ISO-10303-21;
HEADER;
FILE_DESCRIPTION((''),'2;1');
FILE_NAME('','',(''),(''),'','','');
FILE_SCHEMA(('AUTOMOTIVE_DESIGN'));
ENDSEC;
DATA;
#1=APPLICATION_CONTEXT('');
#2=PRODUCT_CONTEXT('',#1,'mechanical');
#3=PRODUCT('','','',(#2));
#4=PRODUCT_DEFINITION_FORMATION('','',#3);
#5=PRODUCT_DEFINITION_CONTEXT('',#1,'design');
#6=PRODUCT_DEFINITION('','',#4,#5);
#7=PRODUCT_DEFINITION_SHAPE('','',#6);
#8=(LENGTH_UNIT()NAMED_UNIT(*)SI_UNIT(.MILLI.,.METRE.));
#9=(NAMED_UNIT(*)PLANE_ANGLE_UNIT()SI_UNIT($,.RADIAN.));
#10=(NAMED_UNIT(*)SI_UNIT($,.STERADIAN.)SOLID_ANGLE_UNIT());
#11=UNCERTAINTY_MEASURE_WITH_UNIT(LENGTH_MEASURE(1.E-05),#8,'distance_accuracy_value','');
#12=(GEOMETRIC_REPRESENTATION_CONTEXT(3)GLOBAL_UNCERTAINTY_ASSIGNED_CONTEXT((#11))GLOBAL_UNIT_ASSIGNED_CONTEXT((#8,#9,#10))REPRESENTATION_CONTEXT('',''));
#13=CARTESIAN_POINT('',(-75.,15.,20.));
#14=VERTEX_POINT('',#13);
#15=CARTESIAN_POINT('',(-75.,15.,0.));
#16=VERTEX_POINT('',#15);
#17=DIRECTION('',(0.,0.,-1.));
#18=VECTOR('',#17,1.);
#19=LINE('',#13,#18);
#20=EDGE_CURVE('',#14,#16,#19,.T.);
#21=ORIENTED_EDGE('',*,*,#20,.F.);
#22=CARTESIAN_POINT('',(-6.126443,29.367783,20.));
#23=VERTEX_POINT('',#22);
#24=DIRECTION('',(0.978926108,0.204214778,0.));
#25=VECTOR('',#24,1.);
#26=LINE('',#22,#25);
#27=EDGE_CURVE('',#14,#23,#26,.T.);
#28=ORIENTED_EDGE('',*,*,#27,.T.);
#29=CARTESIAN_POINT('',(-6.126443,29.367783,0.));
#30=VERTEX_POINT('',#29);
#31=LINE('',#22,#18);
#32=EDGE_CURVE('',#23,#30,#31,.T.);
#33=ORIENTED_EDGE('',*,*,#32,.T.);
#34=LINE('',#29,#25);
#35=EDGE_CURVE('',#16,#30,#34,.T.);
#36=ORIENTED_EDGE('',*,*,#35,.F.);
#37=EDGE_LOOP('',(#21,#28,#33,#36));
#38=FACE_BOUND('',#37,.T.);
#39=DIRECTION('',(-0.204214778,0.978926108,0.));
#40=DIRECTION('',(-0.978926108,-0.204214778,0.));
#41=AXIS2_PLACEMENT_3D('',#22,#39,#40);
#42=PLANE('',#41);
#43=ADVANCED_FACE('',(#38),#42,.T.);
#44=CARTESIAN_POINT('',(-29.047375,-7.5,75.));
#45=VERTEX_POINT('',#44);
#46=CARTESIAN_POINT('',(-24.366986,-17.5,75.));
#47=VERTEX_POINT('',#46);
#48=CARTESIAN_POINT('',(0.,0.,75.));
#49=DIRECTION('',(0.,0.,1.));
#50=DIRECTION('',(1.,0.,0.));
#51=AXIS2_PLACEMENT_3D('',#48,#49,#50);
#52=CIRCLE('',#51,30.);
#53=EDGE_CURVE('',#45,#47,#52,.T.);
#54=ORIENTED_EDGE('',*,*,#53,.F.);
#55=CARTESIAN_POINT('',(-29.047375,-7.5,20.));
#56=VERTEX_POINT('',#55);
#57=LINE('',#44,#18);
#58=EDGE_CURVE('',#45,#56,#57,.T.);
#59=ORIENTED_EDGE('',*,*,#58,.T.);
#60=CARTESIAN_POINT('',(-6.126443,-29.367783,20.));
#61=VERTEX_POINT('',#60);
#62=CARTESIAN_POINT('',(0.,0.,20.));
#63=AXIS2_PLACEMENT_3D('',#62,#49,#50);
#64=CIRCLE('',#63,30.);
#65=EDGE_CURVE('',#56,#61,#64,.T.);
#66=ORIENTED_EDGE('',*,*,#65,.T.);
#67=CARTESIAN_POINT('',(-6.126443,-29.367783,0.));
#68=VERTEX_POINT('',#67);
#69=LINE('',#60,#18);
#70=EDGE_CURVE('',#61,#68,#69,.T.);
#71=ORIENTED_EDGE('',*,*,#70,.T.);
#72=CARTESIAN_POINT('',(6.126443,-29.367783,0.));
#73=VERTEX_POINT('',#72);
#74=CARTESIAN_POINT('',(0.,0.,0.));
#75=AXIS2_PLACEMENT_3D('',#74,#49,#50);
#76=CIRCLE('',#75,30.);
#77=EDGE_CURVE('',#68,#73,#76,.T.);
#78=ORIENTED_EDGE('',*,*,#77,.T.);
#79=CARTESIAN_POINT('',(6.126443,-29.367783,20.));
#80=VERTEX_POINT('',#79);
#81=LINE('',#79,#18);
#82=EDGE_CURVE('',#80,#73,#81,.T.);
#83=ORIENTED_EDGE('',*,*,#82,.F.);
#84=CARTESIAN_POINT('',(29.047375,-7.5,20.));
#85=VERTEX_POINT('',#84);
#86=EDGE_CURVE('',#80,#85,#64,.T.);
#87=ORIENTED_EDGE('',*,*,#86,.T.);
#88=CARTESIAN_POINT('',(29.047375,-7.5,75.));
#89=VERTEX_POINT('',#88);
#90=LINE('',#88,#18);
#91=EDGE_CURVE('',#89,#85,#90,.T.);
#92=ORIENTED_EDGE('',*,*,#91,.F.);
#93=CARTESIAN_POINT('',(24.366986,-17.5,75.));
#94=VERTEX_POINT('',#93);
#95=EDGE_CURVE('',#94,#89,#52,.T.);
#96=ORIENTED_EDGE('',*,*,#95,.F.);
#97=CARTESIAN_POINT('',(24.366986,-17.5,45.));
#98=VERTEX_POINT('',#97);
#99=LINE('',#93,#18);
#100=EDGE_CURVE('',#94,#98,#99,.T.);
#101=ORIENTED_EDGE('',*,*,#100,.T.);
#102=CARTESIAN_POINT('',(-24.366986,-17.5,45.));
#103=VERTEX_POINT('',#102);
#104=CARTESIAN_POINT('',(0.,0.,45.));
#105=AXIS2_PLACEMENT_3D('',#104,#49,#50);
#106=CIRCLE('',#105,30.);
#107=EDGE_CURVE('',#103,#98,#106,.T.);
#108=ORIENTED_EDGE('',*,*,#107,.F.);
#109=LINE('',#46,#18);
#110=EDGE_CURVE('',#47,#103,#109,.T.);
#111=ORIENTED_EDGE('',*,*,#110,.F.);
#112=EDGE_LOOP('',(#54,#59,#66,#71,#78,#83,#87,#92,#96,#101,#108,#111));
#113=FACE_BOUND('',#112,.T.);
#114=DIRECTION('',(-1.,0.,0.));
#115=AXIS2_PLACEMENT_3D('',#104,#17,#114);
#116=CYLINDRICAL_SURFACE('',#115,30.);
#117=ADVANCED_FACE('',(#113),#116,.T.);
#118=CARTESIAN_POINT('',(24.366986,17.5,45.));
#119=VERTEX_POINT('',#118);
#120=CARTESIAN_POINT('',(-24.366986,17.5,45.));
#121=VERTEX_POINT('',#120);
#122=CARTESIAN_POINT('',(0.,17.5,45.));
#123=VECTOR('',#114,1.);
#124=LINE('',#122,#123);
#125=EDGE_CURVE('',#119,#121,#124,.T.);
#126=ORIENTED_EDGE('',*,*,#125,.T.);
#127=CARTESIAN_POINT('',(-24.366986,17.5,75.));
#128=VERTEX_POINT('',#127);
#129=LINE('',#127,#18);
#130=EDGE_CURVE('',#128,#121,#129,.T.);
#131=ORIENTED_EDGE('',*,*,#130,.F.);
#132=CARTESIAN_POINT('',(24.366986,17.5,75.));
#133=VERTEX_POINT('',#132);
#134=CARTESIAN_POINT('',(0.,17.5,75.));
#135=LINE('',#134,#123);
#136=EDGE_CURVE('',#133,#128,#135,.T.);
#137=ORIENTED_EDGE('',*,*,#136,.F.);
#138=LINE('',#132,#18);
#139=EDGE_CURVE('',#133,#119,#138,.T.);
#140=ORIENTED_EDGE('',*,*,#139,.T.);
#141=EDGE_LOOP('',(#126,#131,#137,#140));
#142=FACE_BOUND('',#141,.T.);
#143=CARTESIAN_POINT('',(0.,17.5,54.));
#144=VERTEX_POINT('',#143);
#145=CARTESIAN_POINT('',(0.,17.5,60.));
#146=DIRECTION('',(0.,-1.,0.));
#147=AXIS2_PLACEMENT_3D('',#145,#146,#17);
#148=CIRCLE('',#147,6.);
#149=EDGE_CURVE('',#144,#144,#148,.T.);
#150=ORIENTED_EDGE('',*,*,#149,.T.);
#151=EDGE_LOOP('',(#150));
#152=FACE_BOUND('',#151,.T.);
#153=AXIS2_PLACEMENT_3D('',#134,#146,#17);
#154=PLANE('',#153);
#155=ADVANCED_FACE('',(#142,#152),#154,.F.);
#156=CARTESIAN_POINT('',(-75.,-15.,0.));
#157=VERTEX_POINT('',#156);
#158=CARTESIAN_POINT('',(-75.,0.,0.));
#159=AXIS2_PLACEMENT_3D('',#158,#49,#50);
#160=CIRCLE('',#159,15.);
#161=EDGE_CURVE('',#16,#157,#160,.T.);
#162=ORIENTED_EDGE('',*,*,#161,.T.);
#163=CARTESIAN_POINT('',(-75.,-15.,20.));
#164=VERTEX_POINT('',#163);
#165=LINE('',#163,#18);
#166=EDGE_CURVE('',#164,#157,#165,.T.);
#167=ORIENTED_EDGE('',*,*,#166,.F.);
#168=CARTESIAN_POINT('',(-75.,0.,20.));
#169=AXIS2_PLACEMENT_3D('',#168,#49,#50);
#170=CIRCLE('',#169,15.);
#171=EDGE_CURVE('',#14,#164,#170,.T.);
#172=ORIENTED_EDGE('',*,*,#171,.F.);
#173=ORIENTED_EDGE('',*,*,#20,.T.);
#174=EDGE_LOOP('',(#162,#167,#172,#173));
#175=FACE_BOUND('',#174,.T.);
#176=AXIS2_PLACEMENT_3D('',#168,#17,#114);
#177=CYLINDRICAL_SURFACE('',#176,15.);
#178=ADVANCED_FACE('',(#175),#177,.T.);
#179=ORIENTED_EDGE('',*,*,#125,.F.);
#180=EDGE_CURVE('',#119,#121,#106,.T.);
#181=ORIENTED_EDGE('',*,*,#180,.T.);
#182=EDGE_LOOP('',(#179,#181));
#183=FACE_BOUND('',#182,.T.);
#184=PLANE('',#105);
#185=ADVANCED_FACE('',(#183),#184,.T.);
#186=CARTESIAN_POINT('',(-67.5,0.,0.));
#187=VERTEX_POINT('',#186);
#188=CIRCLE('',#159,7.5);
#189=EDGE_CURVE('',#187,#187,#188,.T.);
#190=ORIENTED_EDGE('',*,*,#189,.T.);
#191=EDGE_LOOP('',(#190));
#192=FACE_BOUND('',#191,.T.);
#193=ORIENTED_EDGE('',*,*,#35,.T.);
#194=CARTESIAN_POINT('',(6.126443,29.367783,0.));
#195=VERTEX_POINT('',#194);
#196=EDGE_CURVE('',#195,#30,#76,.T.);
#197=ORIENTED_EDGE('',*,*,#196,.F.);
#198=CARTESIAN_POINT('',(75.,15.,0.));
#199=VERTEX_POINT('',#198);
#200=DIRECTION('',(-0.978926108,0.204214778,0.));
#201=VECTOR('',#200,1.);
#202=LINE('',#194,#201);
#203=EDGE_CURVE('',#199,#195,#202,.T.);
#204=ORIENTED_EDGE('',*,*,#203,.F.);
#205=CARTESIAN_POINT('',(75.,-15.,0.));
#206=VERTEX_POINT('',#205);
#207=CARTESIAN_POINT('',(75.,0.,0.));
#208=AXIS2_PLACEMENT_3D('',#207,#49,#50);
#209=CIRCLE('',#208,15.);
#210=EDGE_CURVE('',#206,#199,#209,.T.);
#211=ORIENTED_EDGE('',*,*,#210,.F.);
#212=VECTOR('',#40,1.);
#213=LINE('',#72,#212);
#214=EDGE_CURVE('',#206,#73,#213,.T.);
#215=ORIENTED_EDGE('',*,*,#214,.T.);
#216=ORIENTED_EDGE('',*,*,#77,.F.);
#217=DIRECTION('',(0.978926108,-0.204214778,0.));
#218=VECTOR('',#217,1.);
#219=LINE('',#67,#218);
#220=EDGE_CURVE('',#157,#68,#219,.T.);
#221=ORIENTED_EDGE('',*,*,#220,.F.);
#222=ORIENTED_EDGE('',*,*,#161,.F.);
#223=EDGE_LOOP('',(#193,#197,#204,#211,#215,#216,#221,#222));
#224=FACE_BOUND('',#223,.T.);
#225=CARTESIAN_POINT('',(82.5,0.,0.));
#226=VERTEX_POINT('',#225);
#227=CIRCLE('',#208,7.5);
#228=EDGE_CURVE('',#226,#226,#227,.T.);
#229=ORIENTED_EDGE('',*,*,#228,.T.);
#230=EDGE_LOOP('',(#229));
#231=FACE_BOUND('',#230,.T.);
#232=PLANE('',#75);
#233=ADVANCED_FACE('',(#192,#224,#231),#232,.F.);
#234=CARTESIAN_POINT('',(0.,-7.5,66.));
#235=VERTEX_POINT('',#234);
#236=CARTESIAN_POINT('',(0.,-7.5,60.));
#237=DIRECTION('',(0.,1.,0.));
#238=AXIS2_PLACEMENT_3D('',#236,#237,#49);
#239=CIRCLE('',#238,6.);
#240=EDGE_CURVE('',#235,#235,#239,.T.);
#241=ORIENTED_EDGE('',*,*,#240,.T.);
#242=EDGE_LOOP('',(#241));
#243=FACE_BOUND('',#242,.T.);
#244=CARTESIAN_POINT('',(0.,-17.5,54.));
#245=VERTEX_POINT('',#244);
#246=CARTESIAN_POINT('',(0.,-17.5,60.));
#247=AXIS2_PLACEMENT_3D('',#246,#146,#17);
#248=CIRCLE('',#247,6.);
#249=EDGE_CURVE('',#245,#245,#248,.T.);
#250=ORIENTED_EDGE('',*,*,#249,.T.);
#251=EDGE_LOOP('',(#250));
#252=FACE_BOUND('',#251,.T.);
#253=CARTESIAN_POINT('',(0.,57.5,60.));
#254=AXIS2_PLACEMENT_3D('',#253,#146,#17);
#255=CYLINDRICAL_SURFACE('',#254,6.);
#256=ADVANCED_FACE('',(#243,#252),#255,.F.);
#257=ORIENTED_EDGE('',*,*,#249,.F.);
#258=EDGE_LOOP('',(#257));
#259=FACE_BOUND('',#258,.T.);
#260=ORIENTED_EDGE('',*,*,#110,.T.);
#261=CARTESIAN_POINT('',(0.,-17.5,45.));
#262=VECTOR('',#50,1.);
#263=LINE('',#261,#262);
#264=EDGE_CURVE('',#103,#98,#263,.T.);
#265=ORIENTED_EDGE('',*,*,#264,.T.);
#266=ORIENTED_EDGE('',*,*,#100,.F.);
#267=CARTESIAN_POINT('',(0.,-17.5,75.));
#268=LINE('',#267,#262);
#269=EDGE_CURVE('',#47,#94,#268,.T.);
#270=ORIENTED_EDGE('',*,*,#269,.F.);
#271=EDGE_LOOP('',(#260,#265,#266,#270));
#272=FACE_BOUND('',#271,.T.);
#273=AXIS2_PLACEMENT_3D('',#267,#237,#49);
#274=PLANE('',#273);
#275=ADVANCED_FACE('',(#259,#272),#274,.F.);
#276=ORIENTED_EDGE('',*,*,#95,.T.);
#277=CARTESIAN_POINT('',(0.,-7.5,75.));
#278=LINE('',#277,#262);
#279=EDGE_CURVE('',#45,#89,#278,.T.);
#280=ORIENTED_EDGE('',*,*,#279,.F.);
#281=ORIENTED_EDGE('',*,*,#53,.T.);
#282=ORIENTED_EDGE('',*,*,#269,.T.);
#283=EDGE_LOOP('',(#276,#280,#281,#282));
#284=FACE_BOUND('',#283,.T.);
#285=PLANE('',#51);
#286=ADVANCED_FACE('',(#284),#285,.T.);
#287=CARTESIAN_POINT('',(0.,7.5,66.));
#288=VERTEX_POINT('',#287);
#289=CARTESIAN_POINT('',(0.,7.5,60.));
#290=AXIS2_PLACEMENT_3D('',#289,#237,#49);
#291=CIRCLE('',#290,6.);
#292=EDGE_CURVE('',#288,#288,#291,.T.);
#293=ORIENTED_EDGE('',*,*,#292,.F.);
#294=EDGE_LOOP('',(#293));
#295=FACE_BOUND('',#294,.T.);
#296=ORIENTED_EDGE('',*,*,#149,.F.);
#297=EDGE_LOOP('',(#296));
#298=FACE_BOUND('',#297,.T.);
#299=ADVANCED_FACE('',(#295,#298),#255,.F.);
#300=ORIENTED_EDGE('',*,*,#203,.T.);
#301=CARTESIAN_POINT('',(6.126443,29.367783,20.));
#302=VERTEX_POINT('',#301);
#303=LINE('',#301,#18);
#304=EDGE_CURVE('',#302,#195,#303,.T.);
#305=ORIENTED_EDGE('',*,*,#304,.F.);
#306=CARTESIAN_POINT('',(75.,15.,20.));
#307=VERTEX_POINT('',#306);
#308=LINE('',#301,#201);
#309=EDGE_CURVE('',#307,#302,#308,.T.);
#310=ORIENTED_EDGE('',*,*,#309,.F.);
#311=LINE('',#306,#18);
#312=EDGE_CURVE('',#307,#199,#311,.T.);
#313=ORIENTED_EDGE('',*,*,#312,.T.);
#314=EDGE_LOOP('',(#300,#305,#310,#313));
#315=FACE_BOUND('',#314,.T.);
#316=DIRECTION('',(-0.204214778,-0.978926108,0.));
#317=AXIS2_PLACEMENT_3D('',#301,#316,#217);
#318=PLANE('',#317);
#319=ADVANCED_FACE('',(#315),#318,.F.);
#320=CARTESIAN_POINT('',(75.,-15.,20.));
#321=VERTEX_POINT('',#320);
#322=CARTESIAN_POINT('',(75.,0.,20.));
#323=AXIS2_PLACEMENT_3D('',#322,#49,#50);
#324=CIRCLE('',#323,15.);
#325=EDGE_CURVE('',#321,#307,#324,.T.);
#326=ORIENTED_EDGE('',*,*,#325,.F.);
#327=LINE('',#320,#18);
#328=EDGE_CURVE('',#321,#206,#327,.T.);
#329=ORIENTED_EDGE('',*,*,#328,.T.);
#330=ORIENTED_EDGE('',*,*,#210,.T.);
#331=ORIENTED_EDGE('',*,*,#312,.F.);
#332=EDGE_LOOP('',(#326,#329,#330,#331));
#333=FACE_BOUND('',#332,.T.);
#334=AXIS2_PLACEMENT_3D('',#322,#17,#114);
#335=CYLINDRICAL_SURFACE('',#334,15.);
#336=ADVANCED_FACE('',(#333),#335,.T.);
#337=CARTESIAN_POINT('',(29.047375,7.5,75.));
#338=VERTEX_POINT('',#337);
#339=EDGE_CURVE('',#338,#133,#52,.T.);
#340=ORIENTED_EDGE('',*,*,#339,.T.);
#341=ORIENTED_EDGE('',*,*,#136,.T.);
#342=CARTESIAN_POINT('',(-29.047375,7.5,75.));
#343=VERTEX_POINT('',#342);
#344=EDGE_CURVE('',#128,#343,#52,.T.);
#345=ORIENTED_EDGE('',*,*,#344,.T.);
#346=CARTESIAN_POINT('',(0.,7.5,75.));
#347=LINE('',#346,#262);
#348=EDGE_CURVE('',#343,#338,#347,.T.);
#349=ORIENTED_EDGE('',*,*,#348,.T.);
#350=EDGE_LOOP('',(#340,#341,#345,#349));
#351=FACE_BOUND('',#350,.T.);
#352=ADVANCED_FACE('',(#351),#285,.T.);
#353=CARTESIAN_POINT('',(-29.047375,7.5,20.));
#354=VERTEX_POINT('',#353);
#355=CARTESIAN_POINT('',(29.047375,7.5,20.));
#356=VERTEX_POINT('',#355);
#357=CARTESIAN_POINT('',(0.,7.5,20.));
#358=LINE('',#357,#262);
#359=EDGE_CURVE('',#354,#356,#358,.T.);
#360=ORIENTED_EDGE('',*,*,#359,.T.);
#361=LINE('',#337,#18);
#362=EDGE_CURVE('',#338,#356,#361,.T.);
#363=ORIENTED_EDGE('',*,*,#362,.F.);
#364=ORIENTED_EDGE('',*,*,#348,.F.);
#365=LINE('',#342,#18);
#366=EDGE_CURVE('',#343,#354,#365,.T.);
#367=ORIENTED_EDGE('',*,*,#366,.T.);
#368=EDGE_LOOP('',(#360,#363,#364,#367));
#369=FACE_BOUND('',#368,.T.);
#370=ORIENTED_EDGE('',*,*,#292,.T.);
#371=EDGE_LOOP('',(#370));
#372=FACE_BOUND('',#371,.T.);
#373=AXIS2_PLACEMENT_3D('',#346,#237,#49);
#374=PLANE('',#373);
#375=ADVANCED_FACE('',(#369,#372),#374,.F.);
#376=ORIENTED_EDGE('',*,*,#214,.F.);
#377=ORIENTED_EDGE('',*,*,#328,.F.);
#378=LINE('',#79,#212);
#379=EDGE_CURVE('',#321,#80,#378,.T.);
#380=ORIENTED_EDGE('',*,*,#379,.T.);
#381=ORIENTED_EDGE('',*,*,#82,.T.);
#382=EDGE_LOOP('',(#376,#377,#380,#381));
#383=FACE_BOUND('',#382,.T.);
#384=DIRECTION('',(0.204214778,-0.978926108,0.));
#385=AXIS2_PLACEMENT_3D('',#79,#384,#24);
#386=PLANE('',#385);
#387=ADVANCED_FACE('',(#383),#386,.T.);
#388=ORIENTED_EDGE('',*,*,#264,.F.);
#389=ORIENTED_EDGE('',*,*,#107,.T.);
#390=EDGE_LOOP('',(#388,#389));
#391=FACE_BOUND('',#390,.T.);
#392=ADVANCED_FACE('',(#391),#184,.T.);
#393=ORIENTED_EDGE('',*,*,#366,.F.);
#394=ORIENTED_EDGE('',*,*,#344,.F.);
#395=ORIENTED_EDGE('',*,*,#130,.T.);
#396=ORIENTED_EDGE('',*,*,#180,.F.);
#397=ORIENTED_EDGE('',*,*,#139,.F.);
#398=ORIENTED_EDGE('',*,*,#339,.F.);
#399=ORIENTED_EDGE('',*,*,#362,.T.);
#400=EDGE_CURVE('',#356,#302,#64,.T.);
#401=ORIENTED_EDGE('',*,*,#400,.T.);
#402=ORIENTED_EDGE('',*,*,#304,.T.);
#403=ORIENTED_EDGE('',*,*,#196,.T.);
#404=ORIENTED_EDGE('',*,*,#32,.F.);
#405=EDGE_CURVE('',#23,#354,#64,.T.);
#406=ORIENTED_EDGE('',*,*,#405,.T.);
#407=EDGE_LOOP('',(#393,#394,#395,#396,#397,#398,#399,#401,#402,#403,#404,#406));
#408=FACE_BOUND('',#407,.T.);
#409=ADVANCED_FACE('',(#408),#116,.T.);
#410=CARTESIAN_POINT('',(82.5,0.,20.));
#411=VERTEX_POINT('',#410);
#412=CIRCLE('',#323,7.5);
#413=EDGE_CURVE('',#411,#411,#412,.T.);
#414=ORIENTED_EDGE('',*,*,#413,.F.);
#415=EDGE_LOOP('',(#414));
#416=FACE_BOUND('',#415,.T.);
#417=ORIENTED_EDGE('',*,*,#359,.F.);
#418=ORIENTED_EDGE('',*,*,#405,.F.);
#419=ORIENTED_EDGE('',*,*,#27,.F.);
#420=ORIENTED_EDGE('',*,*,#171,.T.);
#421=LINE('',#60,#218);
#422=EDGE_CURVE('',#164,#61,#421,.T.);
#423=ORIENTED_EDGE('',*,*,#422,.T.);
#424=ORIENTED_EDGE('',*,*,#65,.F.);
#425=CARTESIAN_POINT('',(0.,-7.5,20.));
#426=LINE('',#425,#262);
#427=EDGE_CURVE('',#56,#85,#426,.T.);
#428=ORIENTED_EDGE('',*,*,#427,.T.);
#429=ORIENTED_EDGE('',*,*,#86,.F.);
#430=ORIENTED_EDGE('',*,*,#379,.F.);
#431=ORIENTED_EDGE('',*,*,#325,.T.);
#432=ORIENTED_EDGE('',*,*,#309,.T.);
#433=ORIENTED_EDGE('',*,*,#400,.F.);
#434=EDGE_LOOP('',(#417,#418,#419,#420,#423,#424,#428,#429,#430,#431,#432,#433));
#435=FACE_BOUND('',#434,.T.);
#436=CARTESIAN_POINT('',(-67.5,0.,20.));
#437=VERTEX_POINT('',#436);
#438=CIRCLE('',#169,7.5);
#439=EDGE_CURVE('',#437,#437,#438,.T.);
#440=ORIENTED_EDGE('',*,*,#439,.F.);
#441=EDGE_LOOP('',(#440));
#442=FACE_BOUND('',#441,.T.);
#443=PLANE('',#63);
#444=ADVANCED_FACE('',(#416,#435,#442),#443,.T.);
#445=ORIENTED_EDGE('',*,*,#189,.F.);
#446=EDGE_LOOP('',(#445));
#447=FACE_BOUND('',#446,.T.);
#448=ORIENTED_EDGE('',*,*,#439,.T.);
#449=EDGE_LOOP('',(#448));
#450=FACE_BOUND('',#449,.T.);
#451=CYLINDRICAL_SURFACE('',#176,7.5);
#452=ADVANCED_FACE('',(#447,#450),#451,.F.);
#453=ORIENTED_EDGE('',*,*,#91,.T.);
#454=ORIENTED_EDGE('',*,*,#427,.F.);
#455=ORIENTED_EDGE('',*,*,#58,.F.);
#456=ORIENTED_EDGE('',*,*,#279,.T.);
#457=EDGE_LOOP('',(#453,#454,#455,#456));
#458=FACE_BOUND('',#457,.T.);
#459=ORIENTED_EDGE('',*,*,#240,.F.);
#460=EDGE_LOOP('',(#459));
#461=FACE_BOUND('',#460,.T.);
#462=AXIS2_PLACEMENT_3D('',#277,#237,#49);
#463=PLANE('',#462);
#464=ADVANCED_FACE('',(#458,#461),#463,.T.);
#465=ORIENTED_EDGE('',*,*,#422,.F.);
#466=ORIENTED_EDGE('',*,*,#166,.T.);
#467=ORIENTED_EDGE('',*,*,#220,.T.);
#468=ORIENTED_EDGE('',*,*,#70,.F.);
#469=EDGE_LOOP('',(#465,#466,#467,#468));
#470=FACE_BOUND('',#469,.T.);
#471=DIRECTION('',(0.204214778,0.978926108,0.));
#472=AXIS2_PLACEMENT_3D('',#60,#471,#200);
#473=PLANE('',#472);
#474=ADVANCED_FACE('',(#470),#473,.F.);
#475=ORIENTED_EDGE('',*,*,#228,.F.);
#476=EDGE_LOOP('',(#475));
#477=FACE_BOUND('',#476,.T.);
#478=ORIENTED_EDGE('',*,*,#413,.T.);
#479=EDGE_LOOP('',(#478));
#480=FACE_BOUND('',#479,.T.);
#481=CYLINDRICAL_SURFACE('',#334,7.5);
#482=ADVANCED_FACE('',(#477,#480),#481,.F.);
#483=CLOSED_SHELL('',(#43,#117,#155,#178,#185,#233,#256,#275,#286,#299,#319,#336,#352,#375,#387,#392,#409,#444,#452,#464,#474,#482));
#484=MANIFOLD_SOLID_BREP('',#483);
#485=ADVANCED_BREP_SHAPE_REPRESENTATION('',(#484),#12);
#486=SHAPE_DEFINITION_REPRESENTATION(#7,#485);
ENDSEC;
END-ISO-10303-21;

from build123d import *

# Parameters (mm, degrees)
CROQUIS1_R              = 7.5
SALIENTE_EXTRUIR1_DEPTH = 20
SALIENTE_EXTRUIR2_DEPTH = 45
SALIENTE_EXTRUIR3_DEPTH = 75
CROQUIS2_R              = 6
CORTAR_EXTRUIR1_DEPTH   = 75


with BuildPart() as part:
    # Croquis1 → Saliente-Extruir1 (new body)
    with BuildSketch(Plane.XY):
        with BuildLine():
            Line((29.047375097, 7.5), (-29.047375097, 7.5))
            ThreePointArc((-29.047375097, 7.5), (-27.171188586, 12.717173855), (-24.366985862, 17.5))
            ThreePointArc((-24.366985862, 17.5), (-16.360726635, 25.146105543), (-6.126443354, 29.36778323))
            Line((-6.126443354, 29.36778323), (-75, 15))
            ThreePointArc((-75, 15), (-90, 0), (-75, -15))
            Line((-75, -15), (-6.126443354, -29.36778323))
            ThreePointArc((-6.126443354, -29.36778323), (-16.360726635, -25.146105543), (-24.366985862, -17.5))
            ThreePointArc((-24.366985862, -17.5), (-27.171188586, -12.717173855), (-29.047375097, -7.5))
            Line((-29.047375097, -7.5), (29.047375097, -7.5))
            ThreePointArc((29.047375097, -7.5), (27.171188586, -12.717173855), (24.366985862, -17.5))
            ThreePointArc((24.366985862, -17.5), (16.360726635, -25.146105543), (6.126443354, -29.36778323))
            Line((6.126443354, -29.36778323), (75, -15))
            ThreePointArc((75, -15), (90, 0), (75, 15))
            Line((75, 15), (6.126443354, 29.36778323))
            ThreePointArc((6.126443354, 29.36778323), (16.360726635, 25.146105543), (24.366985862, 17.5))
            ThreePointArc((24.366985862, 17.5), (27.171188586, 12.717173855), (29.047375097, 7.5))
        make_face()
        with Locations((-75, 0)):
            Circle(CROQUIS1_R, mode=Mode.SUBTRACT)
        with Locations((75, 0)):
            Circle(CROQUIS1_R, mode=Mode.SUBTRACT)
    extrude(amount=SALIENTE_EXTRUIR1_DEPTH)

    # Croquis1<3> → Saliente-Extruir2 (add)
    with BuildSketch(Plane.XY):
        with BuildLine():
            ThreePointArc((24.366985862, 17.5), (0, 30), (-24.366985862, 17.5))
            Line((-24.366985862, 17.5), (24.366985862, 17.5))
        make_face()
        with BuildLine():
            ThreePointArc((-24.366985862, -17.5), (0, -30), (24.366985862, -17.5))
            Line((24.366985862, -17.5), (-24.366985862, -17.5))
        make_face()
    extrude(amount=SALIENTE_EXTRUIR2_DEPTH)

    # Croquis1<4> → Saliente-Extruir3 (add)
    with BuildSketch(Plane.XY):
        with BuildLine():
            ThreePointArc((-24.366985862, 17.5), (-27.171188586, 12.717173855), (-29.047375097, 7.5))
            Line((-29.047375097, 7.5), (29.047375097, 7.5))
            ThreePointArc((29.047375097, 7.5), (27.171188586, 12.717173855), (24.366985862, 17.5))
            Line((24.366985862, 17.5), (-24.366985862, 17.5))
        make_face()
        with BuildLine():
            ThreePointArc((-29.047375097, -7.5), (-27.171188586, -12.717173855), (-24.366985862, -17.5))
            Line((-24.366985862, -17.5), (24.366985862, -17.5))
            ThreePointArc((24.366985862, -17.5), (27.171188586, -12.717173855), (29.047375097, -7.5))
            Line((29.047375097, -7.5), (-29.047375097, -7.5))
        make_face()
    extrude(amount=SALIENTE_EXTRUIR3_DEPTH)

    # Croquis2 → Cortar-Extruir1 (cut)
    with BuildSketch(Plane.XZ.offset(17.5)):
        with Locations((0, 60)):
            Circle(CROQUIS2_R)
    extrude(amount=-CORTAR_EXTRUIR1_DEPTH, mode=Mode.SUBTRACT)


solid = part.part
